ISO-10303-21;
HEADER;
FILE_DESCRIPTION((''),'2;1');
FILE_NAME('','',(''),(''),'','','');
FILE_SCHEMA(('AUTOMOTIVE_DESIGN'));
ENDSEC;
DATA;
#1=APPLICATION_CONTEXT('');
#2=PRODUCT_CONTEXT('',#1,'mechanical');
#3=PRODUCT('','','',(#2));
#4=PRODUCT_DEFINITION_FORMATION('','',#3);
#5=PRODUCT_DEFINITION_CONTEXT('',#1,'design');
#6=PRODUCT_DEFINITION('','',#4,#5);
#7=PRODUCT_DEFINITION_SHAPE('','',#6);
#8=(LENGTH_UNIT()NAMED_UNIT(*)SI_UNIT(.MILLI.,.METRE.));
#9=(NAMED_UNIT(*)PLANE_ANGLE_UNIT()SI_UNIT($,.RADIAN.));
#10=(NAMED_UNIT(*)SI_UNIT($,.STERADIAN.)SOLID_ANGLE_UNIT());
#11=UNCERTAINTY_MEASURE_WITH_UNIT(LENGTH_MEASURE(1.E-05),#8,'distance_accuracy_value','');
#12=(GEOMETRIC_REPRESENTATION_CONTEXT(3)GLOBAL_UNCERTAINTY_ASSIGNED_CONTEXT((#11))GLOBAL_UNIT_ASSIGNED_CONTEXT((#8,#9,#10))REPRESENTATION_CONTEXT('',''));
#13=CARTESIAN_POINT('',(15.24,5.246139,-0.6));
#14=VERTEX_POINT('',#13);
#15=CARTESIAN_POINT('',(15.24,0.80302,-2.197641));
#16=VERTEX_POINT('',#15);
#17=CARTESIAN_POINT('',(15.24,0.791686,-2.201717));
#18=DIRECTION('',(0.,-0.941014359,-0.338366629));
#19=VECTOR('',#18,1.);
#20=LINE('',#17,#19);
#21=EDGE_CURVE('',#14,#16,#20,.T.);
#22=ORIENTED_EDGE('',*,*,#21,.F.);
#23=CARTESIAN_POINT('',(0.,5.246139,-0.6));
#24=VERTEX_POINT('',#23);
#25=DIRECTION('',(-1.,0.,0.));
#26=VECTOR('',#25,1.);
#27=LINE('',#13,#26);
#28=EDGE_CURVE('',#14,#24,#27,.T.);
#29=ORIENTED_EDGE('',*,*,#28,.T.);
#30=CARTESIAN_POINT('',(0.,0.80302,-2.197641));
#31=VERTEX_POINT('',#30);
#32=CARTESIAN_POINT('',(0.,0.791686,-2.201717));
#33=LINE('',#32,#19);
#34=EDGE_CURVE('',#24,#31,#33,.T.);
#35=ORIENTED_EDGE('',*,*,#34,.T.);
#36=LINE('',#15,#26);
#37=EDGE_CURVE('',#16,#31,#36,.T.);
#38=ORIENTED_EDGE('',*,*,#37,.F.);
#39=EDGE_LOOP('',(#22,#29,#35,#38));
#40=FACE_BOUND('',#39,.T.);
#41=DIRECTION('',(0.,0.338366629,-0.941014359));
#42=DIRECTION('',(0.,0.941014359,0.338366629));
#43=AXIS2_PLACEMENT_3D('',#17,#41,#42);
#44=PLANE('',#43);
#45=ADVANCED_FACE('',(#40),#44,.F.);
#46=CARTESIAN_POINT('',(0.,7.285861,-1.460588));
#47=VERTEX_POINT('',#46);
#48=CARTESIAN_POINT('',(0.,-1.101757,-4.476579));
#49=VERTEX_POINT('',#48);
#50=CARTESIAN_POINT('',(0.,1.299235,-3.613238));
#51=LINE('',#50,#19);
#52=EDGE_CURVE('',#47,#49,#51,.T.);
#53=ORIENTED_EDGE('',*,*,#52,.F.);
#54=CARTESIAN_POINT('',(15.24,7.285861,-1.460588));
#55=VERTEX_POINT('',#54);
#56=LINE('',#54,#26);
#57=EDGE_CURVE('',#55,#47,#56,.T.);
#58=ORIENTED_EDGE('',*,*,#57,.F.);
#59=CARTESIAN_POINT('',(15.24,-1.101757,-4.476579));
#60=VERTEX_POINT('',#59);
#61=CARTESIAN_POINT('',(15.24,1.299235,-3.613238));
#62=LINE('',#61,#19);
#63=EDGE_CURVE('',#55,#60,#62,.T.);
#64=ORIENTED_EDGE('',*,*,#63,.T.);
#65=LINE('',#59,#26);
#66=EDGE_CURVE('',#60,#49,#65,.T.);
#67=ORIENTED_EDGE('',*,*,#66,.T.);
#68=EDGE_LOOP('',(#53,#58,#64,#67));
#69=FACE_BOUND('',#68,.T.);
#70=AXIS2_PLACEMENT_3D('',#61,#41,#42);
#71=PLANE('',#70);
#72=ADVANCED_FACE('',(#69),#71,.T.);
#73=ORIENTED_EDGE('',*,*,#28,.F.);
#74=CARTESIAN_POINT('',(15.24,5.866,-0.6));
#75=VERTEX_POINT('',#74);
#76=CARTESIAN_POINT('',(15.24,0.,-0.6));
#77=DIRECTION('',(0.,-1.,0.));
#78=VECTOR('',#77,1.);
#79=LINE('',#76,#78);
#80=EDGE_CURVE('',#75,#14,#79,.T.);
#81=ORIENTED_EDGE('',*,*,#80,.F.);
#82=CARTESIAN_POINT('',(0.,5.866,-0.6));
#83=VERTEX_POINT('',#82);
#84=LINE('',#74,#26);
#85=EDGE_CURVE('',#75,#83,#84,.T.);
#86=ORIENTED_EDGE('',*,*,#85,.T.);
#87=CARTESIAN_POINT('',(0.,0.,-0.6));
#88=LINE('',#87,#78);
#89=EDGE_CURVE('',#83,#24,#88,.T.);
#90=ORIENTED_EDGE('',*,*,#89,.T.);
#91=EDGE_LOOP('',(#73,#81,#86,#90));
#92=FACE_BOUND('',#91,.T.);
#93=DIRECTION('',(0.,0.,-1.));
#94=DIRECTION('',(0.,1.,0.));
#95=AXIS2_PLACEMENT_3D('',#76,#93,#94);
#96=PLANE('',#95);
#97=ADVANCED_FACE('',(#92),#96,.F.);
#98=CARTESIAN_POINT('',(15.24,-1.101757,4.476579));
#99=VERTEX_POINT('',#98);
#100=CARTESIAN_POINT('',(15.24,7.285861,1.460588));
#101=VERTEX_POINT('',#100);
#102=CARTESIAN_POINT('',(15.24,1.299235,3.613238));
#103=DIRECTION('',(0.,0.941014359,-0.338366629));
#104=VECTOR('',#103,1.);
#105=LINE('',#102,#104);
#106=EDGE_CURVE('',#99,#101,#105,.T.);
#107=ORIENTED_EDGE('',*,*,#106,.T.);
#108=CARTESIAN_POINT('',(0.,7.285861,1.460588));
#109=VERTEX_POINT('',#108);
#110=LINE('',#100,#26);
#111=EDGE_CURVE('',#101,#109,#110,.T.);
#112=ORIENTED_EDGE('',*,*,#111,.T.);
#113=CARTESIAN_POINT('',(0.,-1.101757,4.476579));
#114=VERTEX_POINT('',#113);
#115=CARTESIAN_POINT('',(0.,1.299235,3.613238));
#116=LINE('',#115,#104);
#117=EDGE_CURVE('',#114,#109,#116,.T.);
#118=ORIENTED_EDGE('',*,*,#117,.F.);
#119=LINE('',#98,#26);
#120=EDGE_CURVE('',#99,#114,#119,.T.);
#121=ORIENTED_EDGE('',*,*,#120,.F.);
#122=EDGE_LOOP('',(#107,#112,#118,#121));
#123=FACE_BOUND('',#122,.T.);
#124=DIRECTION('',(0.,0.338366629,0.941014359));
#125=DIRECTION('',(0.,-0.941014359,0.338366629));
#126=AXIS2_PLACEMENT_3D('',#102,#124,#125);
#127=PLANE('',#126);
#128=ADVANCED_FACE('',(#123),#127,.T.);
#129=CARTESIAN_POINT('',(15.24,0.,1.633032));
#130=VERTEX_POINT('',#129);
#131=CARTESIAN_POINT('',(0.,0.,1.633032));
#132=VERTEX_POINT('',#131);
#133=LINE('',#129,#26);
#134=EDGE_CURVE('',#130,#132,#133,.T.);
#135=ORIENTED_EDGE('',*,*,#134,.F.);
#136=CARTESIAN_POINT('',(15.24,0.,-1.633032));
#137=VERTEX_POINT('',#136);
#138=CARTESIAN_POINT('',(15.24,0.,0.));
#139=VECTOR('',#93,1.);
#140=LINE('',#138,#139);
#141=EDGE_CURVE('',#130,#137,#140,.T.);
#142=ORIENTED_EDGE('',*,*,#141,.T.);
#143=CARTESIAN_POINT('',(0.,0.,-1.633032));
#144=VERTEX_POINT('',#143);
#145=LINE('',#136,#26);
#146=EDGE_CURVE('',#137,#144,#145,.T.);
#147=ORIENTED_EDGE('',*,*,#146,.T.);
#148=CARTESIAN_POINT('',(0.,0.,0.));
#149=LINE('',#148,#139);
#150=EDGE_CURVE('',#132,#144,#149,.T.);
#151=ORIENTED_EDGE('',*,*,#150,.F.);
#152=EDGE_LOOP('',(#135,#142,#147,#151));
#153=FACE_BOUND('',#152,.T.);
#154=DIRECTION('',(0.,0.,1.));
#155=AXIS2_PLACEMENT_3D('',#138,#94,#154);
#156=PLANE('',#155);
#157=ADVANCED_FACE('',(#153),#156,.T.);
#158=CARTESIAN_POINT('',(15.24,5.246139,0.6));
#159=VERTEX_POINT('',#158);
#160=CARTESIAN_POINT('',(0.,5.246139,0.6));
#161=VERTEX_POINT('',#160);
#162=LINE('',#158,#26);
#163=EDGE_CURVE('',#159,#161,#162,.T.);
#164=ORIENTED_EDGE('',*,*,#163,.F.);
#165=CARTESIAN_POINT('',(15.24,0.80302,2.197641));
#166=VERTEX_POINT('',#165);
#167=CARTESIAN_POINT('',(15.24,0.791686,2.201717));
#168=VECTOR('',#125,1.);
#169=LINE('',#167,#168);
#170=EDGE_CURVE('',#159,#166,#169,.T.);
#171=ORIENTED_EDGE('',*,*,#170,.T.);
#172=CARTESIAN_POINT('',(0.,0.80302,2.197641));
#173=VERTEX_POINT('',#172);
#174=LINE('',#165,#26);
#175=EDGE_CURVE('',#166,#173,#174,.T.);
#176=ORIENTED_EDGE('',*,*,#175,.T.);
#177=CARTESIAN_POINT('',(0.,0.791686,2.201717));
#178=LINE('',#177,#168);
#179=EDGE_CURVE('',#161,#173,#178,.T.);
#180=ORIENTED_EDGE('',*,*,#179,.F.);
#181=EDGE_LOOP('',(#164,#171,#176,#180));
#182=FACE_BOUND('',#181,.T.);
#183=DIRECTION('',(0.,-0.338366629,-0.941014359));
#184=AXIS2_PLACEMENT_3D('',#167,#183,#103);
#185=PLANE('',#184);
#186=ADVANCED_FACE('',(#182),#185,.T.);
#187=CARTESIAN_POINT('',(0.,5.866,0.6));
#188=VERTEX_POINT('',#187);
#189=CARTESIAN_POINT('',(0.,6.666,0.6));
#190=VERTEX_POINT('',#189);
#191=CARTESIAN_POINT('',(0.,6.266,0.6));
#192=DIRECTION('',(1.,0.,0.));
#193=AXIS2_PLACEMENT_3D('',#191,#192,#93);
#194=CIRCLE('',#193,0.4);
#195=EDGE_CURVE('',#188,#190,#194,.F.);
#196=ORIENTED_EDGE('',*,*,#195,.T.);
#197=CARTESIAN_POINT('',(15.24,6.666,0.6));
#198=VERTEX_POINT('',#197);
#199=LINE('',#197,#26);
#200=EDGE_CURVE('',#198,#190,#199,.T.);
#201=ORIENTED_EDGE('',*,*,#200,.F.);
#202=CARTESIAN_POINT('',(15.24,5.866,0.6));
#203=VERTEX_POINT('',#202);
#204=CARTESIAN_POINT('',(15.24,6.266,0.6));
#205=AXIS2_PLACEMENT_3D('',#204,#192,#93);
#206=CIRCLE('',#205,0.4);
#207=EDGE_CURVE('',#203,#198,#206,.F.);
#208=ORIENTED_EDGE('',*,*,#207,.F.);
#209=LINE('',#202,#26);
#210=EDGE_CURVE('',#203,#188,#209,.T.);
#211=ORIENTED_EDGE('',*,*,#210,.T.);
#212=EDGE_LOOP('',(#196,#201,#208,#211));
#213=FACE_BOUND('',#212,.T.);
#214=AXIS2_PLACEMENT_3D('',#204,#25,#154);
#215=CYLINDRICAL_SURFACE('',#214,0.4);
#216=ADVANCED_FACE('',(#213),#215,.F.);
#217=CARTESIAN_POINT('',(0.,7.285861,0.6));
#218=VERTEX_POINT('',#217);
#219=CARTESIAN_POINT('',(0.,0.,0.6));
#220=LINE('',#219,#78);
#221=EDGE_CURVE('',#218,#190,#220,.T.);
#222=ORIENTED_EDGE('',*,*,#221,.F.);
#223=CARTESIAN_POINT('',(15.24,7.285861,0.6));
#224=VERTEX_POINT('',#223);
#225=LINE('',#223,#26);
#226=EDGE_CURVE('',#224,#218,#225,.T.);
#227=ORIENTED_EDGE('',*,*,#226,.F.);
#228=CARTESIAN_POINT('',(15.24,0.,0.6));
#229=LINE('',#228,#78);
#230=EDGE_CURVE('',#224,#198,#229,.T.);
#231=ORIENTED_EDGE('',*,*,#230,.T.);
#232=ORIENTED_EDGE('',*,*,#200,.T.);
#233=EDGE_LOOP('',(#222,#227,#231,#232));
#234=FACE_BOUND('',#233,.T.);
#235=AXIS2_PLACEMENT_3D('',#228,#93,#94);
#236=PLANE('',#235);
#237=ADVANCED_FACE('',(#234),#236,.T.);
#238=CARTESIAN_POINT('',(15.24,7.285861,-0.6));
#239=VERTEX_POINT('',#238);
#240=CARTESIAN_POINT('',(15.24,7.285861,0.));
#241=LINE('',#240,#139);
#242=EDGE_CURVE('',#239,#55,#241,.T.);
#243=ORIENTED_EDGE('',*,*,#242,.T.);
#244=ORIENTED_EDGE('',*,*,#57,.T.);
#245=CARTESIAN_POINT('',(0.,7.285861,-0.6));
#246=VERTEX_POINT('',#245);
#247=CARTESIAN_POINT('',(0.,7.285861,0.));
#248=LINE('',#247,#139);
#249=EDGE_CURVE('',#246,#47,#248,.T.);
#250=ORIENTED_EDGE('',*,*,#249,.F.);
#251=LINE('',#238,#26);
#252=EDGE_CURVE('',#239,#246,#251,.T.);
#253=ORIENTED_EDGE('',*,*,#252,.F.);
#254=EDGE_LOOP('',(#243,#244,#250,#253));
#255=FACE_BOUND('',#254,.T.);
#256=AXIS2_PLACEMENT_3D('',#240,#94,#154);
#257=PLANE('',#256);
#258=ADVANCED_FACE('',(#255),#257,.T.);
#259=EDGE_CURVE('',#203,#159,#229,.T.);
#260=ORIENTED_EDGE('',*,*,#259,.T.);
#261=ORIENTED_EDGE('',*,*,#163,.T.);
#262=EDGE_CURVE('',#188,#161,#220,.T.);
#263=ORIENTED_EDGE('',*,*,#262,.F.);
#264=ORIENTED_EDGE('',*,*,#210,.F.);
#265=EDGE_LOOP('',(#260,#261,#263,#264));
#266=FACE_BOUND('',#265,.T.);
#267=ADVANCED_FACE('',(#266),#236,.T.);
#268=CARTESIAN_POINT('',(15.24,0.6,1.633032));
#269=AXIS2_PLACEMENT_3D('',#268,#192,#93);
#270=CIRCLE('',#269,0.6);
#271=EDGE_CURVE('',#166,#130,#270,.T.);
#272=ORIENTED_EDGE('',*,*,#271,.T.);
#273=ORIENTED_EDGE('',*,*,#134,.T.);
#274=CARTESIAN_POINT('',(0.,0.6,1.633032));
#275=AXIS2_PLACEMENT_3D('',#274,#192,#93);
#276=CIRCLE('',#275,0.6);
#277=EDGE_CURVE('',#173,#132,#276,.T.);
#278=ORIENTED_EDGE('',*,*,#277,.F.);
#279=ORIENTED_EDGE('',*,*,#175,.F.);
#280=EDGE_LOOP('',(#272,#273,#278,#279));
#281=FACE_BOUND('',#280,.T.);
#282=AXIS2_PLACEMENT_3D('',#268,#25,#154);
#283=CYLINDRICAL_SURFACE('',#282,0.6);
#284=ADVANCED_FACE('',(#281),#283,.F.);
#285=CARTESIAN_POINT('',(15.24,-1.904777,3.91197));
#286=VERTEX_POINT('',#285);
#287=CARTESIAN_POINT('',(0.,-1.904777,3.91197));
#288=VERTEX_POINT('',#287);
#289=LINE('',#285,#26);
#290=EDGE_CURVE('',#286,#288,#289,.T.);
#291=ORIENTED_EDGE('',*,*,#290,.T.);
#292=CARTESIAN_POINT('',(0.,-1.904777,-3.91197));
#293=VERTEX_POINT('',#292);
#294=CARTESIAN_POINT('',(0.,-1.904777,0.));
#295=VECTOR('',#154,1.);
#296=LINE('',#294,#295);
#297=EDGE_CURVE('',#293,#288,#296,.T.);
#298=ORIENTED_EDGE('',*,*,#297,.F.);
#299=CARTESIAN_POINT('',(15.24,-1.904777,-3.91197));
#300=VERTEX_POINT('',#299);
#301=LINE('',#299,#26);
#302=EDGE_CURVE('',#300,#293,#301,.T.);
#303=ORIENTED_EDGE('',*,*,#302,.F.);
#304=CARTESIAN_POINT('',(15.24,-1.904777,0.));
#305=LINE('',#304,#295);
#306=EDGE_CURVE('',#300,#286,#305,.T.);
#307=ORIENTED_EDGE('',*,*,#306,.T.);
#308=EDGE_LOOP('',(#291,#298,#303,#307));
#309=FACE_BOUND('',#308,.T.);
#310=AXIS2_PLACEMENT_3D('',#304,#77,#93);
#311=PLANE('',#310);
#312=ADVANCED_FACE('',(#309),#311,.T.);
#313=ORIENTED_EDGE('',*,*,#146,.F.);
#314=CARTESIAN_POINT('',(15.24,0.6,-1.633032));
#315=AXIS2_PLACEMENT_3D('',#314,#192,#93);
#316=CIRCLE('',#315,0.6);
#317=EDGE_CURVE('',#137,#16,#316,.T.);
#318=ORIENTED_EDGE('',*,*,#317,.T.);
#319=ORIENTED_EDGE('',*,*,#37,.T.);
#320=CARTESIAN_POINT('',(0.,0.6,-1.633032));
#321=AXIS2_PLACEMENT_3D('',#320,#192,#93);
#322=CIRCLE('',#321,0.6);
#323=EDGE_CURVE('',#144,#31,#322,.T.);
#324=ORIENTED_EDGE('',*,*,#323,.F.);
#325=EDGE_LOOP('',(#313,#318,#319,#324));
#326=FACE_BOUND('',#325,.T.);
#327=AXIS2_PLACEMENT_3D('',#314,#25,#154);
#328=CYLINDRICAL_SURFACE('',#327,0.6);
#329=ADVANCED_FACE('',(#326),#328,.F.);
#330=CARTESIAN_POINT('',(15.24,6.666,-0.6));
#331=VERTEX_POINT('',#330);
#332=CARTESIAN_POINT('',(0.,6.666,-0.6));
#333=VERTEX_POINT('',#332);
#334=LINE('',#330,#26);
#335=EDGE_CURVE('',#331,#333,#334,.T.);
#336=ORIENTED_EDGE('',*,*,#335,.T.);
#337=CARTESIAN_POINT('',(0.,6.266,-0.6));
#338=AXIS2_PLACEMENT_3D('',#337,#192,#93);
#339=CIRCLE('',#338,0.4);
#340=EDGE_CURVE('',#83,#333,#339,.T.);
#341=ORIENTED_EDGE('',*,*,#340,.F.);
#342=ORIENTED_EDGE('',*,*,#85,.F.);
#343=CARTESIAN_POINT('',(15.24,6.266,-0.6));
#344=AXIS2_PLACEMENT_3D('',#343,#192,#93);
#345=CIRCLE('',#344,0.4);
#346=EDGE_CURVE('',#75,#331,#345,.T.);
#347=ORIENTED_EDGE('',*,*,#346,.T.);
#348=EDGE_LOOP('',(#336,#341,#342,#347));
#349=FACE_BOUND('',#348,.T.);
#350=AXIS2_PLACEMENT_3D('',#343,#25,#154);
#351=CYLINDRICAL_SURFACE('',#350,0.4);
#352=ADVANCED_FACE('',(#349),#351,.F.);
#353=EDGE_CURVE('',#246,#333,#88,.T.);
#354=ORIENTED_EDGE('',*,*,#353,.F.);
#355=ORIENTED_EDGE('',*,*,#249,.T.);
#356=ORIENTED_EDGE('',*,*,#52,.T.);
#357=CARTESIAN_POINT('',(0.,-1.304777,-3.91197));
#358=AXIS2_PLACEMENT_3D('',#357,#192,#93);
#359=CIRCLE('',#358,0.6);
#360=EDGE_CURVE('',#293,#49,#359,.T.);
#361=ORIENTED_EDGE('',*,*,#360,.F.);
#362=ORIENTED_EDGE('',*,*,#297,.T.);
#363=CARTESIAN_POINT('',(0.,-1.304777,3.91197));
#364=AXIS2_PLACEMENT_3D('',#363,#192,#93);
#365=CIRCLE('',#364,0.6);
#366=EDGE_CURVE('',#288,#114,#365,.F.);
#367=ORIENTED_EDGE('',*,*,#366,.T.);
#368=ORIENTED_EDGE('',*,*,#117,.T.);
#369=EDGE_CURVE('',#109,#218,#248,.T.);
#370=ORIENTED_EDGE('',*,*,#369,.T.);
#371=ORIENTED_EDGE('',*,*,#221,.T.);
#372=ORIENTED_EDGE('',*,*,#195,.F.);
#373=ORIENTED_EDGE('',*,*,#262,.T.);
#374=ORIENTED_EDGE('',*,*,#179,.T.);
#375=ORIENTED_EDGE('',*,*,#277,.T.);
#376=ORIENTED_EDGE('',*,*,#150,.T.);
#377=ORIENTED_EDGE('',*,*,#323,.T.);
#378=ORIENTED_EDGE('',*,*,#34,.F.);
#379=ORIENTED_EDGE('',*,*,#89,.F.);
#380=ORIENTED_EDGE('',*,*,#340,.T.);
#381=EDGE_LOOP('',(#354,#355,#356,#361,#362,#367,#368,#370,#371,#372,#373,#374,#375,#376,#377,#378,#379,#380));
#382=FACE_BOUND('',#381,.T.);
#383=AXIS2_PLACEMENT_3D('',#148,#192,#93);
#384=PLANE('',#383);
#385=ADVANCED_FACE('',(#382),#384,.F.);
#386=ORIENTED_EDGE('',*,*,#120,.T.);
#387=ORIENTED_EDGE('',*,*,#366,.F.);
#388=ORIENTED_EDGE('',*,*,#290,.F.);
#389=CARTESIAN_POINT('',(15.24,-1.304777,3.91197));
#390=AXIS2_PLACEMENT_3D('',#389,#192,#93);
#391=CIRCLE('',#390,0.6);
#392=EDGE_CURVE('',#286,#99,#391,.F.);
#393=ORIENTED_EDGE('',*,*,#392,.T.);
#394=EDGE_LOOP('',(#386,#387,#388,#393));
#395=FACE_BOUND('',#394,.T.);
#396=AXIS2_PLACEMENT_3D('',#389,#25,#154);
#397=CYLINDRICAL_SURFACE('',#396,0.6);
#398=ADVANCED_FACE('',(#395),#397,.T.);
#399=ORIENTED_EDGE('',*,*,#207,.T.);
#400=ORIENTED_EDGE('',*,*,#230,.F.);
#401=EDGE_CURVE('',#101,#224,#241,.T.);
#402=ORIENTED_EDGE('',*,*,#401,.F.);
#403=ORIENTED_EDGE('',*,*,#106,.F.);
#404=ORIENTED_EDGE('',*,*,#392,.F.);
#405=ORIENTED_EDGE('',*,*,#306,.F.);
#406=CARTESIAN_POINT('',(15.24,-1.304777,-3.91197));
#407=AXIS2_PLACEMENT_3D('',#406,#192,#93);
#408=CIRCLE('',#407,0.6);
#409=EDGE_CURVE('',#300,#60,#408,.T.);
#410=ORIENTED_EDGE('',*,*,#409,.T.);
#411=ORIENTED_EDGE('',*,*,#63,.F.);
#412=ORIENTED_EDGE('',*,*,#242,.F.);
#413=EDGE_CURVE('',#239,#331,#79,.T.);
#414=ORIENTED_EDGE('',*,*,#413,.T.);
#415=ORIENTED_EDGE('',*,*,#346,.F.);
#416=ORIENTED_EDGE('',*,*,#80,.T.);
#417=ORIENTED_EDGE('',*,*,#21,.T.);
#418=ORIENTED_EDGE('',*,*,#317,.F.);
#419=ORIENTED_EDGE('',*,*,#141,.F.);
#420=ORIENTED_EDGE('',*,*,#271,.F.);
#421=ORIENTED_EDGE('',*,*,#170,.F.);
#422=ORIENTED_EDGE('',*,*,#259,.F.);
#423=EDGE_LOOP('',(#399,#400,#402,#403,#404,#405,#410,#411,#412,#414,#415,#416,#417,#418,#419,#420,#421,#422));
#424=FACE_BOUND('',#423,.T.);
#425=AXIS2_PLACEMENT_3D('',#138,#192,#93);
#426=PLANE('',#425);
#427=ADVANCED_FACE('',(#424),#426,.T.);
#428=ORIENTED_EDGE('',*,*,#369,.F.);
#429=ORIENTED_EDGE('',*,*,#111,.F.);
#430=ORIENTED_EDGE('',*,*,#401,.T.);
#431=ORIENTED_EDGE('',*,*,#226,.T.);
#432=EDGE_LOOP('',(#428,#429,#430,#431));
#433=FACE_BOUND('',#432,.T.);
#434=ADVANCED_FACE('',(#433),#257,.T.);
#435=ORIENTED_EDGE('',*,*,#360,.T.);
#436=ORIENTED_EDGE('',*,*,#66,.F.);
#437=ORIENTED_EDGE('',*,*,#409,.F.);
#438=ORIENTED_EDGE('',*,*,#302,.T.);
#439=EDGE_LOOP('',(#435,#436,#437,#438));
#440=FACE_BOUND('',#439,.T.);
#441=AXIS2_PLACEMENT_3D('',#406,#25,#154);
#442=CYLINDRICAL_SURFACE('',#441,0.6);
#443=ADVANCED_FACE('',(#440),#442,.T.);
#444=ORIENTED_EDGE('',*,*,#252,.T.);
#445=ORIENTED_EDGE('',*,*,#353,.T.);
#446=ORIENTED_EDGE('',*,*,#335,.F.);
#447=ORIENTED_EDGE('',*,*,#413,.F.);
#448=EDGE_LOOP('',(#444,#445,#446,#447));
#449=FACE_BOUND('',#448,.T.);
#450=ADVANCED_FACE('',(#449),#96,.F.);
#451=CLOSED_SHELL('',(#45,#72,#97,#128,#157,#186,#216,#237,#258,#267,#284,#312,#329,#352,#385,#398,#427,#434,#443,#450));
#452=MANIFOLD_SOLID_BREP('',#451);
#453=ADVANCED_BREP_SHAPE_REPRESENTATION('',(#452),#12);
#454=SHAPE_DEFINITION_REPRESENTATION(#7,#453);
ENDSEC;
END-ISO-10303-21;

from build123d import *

# Parameters (mm, degrees)
BOSS_EXTRUDE1_DEPTH = 15.24


with BuildPart() as part:
    # Sketch1 → Boss-Extrude1 (new body)
    with BuildSketch(Plane(origin=(0, 0, 0), x_dir=(0, 0, -1), z_dir=(1, 0, 0))):
        with BuildLine():
            Line((-0.6, 6.665999974), (-0.6, 7.285861192))
            Line((-0.6, 7.285861192), (-1.46058835, 7.285861192))
            Line((-1.46058835, 7.285861192), (-4.476578637, -1.101757214))
            ThreePointArc((-4.476578637, -1.101757214), (-4.402791775, -1.649877187), (-3.911970022, -1.904777192))
            Line((-3.911970022, -1.904777192), (3.911970022, -1.904777192))
            ThreePointArc((3.911970022, -1.904777192), (4.402791775, -1.649877187), (4.476578637, -1.101757214))
            Line((4.476578637, -1.101757214), (1.46058835, 7.285861192))
            Line((1.46058835, 7.285861192), (0.6, 7.285861192))
            Line((0.6, 7.285861192), (0.6, 6.665999974))
            ThreePointArc((0.6, 6.665999974), (1, 6.265999974), (0.6, 5.865999974))
            Line((0.6, 5.865999974), (0.6, 5.246138756))
            Line((0.6, 5.246138756), (2.197641003, 0.803019978))
            ThreePointArc((2.197641003, 0.803019978), (2.12385414, 0.254900005), (1.633032387, 0))
            Line((1.633032387, 0), (0, 0))
            Line((0, 0), (-1.633032387, 0))
            ThreePointArc((-1.633032387, 0), (-2.12385414, 0.254900005), (-2.197641003, 0.803019978))
            Line((-2.197641003, 0.803019978), (-0.6, 5.246138756))
            Line((-0.6, 5.246138756), (-0.6, 5.865999974))
            ThreePointArc((-0.6, 5.865999974), (-1, 6.265999974), (-0.6, 6.665999974))
        make_face()
    extrude(amount=BOSS_EXTRUDE1_DEPTH)


solid = part.part
